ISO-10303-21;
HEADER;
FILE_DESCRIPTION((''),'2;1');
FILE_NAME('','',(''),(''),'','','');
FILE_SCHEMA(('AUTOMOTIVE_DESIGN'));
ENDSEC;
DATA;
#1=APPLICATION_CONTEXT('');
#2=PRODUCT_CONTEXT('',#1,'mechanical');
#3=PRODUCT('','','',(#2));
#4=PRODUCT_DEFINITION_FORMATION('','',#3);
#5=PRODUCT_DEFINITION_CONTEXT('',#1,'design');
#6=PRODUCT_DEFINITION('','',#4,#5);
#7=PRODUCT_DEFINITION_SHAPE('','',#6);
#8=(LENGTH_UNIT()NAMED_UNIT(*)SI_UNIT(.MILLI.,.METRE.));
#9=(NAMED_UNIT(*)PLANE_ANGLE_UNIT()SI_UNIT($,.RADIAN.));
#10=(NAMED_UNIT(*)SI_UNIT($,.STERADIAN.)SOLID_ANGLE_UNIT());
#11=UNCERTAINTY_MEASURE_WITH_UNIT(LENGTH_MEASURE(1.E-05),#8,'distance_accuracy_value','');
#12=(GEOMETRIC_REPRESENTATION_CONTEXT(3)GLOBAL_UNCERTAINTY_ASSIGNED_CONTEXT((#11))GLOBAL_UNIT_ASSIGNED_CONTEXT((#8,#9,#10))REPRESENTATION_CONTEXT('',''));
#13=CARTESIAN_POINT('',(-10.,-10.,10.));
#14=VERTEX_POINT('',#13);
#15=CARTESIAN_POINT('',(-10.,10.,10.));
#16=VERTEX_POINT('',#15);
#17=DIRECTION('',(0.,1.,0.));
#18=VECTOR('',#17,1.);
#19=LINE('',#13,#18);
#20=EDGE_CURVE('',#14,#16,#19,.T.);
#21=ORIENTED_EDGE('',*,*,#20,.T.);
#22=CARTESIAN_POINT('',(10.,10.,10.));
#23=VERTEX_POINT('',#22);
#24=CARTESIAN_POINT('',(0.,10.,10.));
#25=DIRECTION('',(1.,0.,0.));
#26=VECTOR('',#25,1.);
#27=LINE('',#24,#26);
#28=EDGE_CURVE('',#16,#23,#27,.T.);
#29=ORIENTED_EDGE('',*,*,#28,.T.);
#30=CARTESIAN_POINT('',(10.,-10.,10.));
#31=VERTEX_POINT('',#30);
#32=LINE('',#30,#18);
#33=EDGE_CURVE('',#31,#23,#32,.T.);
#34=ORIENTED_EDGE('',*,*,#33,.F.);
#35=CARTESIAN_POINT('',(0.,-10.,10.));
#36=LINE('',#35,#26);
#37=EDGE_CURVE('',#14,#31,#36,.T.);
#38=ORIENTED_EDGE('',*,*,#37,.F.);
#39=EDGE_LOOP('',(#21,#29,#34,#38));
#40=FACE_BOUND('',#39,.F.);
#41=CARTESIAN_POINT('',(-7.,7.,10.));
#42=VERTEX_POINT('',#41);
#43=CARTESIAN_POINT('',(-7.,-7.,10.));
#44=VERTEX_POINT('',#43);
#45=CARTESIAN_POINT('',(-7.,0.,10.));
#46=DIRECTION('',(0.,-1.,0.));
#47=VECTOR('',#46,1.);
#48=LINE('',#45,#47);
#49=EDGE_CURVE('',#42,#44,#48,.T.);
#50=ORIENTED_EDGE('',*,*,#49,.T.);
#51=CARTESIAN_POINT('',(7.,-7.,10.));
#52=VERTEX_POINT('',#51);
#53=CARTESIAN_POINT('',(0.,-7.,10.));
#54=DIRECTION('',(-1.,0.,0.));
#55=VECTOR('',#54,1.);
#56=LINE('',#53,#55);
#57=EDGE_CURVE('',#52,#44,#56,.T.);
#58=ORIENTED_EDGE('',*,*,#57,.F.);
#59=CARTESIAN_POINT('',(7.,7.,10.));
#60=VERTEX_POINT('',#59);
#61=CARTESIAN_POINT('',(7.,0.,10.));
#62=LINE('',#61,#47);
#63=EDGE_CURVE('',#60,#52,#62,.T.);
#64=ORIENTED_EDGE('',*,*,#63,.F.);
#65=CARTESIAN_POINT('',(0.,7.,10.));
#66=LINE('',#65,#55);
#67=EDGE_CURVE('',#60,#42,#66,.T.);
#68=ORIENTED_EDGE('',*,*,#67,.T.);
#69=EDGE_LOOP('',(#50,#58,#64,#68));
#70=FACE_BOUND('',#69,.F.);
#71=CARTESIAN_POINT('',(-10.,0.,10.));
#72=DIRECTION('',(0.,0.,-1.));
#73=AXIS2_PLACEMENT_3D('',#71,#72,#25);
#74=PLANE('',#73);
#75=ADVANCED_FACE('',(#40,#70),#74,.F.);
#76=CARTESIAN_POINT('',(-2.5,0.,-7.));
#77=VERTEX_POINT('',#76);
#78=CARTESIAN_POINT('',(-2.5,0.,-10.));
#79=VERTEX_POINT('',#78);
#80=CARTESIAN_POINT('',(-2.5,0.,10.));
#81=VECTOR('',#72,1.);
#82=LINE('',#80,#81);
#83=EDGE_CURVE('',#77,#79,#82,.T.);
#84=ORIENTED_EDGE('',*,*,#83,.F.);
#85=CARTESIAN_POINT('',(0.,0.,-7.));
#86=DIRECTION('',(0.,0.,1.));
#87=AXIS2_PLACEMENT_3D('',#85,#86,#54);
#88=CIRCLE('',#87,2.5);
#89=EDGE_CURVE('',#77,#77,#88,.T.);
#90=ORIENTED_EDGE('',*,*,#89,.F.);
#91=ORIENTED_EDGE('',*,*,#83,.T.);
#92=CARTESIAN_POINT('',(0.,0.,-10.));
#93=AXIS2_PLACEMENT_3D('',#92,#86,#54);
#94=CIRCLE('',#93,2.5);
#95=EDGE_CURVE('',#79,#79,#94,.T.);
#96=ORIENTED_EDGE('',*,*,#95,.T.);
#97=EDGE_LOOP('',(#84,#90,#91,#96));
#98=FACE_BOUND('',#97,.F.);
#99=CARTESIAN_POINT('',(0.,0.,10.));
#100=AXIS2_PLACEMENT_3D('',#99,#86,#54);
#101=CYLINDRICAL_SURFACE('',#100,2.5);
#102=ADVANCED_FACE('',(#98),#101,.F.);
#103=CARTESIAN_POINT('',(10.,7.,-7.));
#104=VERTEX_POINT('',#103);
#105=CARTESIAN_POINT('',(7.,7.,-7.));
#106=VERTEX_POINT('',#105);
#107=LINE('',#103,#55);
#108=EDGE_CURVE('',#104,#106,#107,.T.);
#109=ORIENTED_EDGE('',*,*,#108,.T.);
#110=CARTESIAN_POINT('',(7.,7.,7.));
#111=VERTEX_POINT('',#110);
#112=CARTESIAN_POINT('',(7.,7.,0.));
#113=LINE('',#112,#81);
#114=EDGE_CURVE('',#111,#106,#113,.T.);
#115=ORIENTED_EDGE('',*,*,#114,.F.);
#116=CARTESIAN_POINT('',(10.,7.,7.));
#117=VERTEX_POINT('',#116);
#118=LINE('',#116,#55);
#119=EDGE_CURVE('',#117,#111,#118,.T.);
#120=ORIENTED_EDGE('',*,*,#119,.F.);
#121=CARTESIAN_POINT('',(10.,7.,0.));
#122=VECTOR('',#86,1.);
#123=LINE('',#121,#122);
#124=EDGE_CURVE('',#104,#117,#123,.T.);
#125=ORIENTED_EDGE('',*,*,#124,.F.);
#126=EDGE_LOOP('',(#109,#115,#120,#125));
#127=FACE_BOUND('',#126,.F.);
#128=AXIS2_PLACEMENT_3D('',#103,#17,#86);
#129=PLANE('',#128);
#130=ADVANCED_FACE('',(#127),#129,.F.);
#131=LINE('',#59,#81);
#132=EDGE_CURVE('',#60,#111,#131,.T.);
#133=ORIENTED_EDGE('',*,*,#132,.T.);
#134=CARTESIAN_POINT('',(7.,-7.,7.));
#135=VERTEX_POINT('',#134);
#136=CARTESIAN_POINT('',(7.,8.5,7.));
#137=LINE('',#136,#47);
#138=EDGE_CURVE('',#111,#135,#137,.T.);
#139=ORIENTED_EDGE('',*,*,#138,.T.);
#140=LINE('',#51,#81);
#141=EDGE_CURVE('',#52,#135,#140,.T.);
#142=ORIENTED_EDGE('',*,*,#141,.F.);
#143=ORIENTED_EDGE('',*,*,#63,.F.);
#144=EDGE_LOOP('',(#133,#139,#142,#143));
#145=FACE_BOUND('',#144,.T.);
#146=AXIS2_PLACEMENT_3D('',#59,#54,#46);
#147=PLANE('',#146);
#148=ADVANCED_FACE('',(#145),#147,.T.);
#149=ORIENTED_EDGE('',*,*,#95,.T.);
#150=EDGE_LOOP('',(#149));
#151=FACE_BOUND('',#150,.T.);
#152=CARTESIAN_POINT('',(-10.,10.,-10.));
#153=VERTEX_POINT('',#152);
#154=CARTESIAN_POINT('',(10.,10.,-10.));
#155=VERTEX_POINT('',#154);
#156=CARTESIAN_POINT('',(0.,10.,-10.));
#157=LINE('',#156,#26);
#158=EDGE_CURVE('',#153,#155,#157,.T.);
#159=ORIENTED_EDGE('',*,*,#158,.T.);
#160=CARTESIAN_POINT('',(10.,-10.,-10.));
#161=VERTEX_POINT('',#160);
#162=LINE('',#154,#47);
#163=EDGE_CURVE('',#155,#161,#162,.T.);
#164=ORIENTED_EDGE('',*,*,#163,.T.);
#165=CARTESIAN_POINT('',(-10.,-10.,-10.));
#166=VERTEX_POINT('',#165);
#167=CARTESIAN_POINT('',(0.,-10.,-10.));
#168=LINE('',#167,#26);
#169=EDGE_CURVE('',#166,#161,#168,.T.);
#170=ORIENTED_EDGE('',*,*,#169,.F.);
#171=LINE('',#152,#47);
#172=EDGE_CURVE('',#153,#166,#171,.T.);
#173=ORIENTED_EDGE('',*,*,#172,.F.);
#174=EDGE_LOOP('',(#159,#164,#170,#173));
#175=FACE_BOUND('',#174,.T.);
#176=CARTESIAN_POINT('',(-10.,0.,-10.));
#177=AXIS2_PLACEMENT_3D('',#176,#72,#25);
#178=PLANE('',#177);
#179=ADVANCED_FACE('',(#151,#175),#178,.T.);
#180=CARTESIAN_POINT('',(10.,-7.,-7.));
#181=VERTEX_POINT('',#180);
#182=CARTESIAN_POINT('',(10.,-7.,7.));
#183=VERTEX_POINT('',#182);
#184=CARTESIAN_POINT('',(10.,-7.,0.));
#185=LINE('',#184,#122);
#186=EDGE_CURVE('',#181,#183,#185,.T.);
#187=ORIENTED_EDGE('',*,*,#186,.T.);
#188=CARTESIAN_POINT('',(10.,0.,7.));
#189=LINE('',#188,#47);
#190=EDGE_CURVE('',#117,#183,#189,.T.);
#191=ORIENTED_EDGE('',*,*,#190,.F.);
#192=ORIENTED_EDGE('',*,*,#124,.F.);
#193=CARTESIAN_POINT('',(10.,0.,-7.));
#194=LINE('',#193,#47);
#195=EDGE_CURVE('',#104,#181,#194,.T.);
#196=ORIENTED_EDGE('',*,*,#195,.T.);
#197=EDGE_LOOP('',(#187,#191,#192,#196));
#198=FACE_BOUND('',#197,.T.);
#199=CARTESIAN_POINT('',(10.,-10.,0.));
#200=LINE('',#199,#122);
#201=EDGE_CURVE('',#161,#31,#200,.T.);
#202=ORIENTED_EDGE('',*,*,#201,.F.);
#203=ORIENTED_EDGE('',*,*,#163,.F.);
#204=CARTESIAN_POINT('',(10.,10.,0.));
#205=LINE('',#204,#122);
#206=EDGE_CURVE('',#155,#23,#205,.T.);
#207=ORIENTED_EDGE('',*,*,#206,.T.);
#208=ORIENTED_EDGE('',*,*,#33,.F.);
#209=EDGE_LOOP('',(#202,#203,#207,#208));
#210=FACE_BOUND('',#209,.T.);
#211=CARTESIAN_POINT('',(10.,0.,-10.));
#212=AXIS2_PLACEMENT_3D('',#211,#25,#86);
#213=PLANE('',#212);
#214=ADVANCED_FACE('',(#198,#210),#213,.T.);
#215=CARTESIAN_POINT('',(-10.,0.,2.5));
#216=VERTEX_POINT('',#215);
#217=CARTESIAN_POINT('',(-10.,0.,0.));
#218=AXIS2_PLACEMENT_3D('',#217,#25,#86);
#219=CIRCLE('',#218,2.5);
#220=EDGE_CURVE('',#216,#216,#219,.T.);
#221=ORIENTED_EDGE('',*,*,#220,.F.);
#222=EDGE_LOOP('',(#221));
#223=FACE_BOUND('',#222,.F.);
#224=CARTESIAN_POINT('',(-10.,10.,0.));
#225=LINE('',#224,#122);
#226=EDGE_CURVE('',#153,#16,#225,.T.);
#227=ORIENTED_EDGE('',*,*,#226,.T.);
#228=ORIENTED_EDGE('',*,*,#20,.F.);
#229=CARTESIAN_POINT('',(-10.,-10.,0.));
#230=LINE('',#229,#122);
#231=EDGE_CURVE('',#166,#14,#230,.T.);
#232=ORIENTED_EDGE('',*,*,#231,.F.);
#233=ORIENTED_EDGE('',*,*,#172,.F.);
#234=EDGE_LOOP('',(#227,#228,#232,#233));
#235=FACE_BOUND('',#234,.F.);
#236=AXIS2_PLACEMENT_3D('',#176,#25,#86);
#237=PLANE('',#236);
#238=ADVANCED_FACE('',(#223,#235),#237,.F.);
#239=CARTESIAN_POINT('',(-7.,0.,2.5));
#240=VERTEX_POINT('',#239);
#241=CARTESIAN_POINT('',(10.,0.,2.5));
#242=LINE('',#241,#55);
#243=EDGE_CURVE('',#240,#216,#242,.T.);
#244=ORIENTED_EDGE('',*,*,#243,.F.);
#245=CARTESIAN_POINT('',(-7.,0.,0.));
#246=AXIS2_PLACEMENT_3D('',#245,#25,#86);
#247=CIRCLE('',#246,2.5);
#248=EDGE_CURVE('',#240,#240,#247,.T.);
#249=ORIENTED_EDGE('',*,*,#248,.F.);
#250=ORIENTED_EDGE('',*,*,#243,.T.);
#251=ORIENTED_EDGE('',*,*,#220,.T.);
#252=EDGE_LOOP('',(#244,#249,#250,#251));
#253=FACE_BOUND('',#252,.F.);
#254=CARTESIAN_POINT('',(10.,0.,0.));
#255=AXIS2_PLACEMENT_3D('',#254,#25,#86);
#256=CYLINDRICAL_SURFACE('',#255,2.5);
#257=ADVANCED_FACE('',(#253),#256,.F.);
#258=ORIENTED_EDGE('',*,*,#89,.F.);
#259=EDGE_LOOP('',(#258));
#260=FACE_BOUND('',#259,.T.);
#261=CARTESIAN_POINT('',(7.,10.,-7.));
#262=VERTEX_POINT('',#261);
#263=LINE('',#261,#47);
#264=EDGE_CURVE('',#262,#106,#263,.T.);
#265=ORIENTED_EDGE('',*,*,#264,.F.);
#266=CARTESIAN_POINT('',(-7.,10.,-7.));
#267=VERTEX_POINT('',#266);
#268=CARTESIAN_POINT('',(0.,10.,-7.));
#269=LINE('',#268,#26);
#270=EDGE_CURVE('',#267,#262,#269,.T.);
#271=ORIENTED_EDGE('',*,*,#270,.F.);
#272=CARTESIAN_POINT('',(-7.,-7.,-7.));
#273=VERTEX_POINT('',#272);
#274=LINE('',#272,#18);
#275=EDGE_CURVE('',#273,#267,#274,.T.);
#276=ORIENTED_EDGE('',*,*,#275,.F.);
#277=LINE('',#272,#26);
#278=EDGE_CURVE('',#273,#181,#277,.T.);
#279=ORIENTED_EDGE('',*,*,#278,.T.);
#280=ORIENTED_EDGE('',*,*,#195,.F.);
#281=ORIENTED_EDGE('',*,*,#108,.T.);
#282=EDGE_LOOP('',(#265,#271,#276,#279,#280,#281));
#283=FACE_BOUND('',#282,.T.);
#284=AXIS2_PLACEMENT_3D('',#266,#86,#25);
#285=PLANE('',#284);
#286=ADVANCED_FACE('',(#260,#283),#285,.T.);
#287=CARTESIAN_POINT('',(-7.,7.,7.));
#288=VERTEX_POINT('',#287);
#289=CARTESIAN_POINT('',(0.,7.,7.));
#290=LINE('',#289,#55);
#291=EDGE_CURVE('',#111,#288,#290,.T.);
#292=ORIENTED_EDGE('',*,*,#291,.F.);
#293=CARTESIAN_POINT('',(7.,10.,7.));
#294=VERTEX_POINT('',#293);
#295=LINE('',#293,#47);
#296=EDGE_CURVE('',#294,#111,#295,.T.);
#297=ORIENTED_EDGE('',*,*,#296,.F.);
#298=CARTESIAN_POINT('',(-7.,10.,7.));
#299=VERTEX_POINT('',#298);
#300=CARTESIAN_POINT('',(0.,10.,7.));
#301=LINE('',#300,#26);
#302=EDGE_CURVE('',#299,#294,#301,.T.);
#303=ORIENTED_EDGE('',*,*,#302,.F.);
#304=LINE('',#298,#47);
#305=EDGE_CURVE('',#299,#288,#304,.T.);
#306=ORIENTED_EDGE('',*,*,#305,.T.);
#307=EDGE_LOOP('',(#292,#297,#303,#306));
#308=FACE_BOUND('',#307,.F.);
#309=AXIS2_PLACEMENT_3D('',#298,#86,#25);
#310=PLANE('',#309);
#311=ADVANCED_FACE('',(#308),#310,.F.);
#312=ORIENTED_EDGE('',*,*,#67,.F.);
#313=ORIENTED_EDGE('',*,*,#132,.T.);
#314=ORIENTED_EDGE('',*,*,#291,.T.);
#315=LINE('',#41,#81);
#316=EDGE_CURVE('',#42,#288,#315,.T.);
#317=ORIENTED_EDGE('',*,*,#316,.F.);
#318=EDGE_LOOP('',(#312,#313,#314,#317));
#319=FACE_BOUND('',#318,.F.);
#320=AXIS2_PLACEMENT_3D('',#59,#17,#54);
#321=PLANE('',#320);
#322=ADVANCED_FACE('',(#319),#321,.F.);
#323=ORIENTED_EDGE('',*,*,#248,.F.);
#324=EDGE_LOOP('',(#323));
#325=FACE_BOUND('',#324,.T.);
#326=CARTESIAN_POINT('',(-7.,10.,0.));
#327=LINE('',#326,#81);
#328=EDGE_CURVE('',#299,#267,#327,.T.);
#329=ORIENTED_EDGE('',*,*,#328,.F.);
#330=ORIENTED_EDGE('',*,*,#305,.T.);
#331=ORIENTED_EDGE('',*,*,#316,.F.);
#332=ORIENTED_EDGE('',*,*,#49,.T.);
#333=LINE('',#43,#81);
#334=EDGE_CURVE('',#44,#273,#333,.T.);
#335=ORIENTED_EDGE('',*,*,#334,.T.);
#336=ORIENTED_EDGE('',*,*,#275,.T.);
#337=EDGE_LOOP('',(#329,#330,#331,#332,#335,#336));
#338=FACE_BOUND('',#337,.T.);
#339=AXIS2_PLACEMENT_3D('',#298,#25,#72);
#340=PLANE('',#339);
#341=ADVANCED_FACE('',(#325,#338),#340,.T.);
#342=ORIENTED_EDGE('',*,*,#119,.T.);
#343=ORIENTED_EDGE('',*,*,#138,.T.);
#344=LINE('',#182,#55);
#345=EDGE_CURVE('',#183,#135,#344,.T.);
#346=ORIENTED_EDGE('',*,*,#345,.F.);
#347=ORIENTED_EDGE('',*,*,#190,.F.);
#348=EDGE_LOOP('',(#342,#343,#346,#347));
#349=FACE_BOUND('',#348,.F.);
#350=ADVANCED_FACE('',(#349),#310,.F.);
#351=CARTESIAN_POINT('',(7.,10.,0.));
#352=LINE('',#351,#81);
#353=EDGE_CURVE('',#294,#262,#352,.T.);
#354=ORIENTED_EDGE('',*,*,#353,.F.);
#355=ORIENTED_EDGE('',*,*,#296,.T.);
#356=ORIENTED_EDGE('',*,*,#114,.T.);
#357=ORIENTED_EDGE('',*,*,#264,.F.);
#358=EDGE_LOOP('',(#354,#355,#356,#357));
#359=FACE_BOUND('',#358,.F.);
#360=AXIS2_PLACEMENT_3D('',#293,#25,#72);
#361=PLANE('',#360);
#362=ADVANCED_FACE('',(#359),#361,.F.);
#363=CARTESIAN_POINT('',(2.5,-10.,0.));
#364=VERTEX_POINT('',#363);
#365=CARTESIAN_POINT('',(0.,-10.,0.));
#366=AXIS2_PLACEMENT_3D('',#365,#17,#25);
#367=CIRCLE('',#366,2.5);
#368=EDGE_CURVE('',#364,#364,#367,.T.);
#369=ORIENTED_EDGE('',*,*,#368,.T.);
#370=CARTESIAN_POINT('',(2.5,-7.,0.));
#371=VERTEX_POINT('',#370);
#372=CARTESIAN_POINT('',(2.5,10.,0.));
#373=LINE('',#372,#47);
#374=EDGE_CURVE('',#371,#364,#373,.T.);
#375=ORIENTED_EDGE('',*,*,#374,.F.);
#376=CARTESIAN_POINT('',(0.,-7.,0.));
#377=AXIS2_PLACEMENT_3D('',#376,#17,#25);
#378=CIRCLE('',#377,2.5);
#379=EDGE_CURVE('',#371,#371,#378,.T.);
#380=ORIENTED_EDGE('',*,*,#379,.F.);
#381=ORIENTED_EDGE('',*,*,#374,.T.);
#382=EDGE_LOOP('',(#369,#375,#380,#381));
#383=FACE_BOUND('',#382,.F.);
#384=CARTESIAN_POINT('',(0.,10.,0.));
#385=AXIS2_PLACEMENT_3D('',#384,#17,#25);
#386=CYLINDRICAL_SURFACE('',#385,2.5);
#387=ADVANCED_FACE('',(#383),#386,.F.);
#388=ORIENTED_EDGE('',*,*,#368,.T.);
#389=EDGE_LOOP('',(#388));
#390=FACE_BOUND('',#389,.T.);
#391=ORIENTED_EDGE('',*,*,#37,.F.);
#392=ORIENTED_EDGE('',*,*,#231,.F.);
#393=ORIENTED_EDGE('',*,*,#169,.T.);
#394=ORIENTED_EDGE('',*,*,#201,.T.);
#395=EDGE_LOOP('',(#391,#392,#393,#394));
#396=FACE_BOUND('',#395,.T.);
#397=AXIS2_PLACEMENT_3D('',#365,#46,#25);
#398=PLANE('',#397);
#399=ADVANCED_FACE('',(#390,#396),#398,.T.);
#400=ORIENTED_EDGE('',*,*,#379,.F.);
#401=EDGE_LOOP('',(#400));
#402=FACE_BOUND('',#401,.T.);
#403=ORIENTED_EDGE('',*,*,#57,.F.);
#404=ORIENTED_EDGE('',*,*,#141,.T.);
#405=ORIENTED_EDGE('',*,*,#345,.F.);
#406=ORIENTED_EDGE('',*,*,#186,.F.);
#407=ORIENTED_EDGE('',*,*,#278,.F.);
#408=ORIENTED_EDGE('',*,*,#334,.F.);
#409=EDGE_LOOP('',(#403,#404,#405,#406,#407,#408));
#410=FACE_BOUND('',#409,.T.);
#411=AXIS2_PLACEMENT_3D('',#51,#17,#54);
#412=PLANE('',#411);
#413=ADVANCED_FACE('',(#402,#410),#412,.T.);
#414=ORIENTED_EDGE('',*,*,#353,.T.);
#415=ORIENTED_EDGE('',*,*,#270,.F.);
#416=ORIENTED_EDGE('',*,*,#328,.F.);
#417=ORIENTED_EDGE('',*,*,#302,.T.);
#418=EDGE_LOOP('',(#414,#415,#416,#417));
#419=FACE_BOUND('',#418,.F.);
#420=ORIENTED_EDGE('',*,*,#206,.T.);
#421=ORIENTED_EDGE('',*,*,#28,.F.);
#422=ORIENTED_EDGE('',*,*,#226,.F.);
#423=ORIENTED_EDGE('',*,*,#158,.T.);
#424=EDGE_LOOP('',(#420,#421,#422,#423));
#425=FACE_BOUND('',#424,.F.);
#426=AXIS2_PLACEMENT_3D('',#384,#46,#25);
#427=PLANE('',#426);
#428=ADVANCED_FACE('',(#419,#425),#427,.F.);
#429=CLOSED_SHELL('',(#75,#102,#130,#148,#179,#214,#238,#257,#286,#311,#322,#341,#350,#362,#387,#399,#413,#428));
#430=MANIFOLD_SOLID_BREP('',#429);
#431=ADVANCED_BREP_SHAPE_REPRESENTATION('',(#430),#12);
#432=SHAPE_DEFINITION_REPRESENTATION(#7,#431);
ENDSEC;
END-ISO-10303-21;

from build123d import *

# Parameters (mm, degrees)
SKETCH033_W     = 20
SKETCH033_H     = 20
PAD015_DEPTH    = 10
SKETCH034_R     = 2.5
HOLE009_DEPTH   = 25
SKETCH035_R     = 2.5
HOLE010_DEPTH   = 25
SKETCH036_R     = 2.5
HOLE011_DEPTH   = 25
SKETCH037_W     = 14
SKETCH037_H     = 14
POCKET009_DEPTH = 17
SKETCH038_W     = 14
SKETCH038_H     = 14
POCKET010_DEPTH = 17
SKETCH039_W     = 14
SKETCH039_H     = 14
POCKET011_DEPTH = 17


with BuildPart() as part:
    # Sketch033 → Pad015 (new body, symmetric)
    with BuildSketch(Plane.XZ):
        Rectangle(SKETCH033_W, SKETCH033_H)
    extrude(amount=PAD015_DEPTH, both=True)

    # Sketch034 (on Face1 of Pad015) → Hole009 (cut)
    with BuildSketch(Plane(origin=(0, 0, 10), x_dir=(-1, 0, 0), z_dir=(0, 0, 1))):
        Circle(SKETCH034_R)
    extrude(amount=-HOLE009_DEPTH, mode=Mode.SUBTRACT)

    # Sketch035 (on Face2 of Hole009) → Hole010 (cut)
    with BuildSketch(Plane(origin=(10, 0, 0), x_dir=(0, 0, 1), z_dir=(1, 0, 0))):
        Circle(SKETCH035_R)
    extrude(amount=-HOLE010_DEPTH, mode=Mode.SUBTRACT)

    # Sketch036 (on Face3 of Hole009) → Hole011 (cut)
    with BuildSketch(Plane(origin=(0, 10, 0), x_dir=(1, 0, 0), z_dir=(0, 1, 0))):
        Circle(SKETCH036_R)
    extrude(amount=-HOLE011_DEPTH, mode=Mode.SUBTRACT)

    # Sketch037 (on Face2 of Hole011) → Pocket009 (cut)
    with BuildSketch(Plane(origin=(10, 0, 0), x_dir=(0, 0, 1), z_dir=(1, 0, 0))):
        Rectangle(SKETCH037_W, SKETCH037_H)
    extrude(amount=-POCKET009_DEPTH, mode=Mode.SUBTRACT)

    # Sketch038 (on Face3 of Pocket009) → Pocket010 (cut)
    with BuildSketch(Plane(origin=(0, 10, 0), x_dir=(1, 0, 0), z_dir=(0, 1, 0))):
        Rectangle(SKETCH038_W, SKETCH038_H)
    extrude(amount=-POCKET010_DEPTH, mode=Mode.SUBTRACT)

    # Sketch039 (on Face1 of Pocket010) → Pocket011 (cut)
    with BuildSketch(Plane(origin=(0, 0, 10), x_dir=(-1, 0, 0), z_dir=(0, 0, 1))):
        Rectangle(SKETCH039_W, SKETCH039_H)
    extrude(amount=-POCKET011_DEPTH, mode=Mode.SUBTRACT)


solid = part.part
